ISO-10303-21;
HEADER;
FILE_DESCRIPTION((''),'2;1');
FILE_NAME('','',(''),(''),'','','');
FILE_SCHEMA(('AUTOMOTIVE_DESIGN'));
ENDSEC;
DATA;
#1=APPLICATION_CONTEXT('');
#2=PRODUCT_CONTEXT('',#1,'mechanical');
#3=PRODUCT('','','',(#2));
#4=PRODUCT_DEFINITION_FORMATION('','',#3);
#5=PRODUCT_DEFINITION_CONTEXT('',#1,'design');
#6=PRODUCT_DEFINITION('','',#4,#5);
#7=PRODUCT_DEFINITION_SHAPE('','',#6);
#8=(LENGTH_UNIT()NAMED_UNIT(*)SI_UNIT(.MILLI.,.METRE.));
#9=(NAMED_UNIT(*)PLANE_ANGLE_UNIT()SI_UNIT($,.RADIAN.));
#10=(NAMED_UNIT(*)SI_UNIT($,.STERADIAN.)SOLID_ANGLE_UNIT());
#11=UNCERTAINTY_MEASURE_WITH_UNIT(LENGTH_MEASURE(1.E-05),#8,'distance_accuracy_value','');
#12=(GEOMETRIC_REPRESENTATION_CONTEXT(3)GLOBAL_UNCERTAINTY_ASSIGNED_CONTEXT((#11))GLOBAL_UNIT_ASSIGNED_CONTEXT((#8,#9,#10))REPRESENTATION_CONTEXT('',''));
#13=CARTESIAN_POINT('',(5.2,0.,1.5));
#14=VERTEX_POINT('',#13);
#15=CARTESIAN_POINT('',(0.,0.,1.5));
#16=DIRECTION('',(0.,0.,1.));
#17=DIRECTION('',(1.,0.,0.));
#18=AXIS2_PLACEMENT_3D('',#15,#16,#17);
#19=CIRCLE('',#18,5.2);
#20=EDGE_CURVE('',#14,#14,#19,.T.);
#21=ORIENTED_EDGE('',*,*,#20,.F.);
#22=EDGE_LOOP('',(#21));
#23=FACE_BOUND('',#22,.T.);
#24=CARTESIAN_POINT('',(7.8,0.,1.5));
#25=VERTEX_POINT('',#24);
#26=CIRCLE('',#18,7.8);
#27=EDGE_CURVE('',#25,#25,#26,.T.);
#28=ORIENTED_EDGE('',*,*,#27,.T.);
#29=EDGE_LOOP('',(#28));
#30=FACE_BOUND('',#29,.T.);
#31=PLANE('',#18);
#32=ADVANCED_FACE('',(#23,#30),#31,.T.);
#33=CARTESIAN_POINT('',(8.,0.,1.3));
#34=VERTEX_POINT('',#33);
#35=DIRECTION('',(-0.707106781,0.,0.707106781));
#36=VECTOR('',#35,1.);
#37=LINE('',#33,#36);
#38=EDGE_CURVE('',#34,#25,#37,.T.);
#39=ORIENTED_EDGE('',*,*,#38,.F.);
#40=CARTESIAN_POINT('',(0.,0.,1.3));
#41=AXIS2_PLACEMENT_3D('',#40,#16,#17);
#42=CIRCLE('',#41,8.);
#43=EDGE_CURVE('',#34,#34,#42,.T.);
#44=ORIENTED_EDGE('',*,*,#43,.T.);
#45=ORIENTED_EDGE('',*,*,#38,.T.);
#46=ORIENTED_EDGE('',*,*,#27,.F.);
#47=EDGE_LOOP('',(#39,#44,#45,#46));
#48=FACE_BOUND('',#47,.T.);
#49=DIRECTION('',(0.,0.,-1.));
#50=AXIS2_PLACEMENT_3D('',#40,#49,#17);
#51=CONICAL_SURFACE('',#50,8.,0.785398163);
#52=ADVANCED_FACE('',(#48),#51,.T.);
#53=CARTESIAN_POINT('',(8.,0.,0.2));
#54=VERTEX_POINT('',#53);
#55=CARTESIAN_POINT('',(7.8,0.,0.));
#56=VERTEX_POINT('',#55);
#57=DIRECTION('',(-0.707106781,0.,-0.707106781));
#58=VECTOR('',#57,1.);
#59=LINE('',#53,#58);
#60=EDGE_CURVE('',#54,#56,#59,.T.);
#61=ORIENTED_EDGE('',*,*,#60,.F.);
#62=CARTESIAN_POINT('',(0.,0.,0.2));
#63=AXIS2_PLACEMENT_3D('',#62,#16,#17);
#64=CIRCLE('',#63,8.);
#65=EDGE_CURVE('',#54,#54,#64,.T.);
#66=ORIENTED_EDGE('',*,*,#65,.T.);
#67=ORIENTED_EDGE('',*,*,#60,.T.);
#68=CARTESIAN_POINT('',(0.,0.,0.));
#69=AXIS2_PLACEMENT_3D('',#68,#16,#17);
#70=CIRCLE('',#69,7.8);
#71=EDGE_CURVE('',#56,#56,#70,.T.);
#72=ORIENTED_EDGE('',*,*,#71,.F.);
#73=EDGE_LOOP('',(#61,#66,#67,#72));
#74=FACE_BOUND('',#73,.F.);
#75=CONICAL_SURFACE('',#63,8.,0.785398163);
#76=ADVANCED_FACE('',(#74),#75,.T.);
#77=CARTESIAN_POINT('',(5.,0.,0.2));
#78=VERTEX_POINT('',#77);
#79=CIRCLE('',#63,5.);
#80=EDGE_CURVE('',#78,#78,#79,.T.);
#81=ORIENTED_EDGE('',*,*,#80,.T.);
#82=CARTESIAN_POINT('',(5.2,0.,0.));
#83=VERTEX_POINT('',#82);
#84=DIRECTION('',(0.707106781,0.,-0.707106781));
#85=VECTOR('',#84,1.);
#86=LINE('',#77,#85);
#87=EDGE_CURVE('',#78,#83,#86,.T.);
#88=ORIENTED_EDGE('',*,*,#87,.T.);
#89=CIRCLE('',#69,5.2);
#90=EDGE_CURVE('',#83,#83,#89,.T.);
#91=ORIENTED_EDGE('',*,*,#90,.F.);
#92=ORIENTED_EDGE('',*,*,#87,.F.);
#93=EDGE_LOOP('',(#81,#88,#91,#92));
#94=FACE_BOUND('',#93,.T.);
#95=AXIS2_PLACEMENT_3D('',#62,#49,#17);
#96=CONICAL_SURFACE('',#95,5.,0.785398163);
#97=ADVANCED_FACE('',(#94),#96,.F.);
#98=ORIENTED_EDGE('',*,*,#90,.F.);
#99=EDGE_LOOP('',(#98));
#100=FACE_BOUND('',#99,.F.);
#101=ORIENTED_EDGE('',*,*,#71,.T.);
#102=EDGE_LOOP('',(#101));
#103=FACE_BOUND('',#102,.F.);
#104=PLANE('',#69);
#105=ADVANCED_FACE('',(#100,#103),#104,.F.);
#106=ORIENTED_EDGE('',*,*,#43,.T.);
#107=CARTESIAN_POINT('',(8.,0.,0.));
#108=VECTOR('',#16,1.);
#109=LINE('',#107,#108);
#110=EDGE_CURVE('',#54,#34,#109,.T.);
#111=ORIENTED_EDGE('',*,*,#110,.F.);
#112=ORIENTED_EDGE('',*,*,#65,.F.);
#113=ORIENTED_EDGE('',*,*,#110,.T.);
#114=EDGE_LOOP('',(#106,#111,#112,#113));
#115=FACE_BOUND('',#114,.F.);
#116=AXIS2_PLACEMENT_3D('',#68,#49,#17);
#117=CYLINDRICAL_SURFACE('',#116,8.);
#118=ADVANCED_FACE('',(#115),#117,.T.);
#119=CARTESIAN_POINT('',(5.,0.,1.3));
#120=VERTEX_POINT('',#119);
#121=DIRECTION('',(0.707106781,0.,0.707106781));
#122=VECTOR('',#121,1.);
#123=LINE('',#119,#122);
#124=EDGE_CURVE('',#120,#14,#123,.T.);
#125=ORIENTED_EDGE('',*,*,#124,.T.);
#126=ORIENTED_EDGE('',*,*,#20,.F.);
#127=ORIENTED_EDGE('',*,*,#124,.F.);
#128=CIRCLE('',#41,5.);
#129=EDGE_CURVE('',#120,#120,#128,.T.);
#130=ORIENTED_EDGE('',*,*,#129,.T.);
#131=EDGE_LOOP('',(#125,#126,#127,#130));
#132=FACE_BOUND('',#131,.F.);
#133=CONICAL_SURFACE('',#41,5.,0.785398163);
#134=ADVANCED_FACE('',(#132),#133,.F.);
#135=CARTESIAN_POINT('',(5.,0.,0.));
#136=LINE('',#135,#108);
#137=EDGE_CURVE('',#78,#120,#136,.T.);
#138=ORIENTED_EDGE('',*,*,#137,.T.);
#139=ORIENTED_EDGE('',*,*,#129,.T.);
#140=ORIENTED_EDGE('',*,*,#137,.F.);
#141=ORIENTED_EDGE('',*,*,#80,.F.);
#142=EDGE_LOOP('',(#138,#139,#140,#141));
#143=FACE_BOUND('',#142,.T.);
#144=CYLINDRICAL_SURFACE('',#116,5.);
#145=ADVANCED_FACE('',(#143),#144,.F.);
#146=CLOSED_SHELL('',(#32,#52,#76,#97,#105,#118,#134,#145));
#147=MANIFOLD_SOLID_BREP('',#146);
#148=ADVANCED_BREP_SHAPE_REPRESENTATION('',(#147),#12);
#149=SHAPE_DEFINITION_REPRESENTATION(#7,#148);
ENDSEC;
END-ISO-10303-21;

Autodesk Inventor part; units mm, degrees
ref_plane "YZ Plane" through (0, 0, 0) normal (1, 0, 0) x (0, 1, 0)
ref_plane "XZ Plane" through (0, 0, 0) normal (0, 1, 0) x (-1, 0, 0)
ref_plane "XY Plane" through (0, 0, 0) normal (0, 0, 1) x (1, 0, 0)
sketch "Sketch1" plane through (0, 0, 0) normal (0, 0, 1) x (1, 0, 0)
  circle A0 centre (0, 0) radius 5
  circle A1 centre (0, 0) radius 8
  dimension "d0" = 10
  dimension "d1" = 16
extrude "Extrusion1" add sketch "Sketch1" along normal blind 1.5
chamfer "Chamfer1" distance 0.2 angle 45 4 edges at (-8, 0, 1.5) (-5, 0, 1.5) (-5, 0, 0) (-8, 0, 0)
properties part number "Separador16mm" material "Steel"
